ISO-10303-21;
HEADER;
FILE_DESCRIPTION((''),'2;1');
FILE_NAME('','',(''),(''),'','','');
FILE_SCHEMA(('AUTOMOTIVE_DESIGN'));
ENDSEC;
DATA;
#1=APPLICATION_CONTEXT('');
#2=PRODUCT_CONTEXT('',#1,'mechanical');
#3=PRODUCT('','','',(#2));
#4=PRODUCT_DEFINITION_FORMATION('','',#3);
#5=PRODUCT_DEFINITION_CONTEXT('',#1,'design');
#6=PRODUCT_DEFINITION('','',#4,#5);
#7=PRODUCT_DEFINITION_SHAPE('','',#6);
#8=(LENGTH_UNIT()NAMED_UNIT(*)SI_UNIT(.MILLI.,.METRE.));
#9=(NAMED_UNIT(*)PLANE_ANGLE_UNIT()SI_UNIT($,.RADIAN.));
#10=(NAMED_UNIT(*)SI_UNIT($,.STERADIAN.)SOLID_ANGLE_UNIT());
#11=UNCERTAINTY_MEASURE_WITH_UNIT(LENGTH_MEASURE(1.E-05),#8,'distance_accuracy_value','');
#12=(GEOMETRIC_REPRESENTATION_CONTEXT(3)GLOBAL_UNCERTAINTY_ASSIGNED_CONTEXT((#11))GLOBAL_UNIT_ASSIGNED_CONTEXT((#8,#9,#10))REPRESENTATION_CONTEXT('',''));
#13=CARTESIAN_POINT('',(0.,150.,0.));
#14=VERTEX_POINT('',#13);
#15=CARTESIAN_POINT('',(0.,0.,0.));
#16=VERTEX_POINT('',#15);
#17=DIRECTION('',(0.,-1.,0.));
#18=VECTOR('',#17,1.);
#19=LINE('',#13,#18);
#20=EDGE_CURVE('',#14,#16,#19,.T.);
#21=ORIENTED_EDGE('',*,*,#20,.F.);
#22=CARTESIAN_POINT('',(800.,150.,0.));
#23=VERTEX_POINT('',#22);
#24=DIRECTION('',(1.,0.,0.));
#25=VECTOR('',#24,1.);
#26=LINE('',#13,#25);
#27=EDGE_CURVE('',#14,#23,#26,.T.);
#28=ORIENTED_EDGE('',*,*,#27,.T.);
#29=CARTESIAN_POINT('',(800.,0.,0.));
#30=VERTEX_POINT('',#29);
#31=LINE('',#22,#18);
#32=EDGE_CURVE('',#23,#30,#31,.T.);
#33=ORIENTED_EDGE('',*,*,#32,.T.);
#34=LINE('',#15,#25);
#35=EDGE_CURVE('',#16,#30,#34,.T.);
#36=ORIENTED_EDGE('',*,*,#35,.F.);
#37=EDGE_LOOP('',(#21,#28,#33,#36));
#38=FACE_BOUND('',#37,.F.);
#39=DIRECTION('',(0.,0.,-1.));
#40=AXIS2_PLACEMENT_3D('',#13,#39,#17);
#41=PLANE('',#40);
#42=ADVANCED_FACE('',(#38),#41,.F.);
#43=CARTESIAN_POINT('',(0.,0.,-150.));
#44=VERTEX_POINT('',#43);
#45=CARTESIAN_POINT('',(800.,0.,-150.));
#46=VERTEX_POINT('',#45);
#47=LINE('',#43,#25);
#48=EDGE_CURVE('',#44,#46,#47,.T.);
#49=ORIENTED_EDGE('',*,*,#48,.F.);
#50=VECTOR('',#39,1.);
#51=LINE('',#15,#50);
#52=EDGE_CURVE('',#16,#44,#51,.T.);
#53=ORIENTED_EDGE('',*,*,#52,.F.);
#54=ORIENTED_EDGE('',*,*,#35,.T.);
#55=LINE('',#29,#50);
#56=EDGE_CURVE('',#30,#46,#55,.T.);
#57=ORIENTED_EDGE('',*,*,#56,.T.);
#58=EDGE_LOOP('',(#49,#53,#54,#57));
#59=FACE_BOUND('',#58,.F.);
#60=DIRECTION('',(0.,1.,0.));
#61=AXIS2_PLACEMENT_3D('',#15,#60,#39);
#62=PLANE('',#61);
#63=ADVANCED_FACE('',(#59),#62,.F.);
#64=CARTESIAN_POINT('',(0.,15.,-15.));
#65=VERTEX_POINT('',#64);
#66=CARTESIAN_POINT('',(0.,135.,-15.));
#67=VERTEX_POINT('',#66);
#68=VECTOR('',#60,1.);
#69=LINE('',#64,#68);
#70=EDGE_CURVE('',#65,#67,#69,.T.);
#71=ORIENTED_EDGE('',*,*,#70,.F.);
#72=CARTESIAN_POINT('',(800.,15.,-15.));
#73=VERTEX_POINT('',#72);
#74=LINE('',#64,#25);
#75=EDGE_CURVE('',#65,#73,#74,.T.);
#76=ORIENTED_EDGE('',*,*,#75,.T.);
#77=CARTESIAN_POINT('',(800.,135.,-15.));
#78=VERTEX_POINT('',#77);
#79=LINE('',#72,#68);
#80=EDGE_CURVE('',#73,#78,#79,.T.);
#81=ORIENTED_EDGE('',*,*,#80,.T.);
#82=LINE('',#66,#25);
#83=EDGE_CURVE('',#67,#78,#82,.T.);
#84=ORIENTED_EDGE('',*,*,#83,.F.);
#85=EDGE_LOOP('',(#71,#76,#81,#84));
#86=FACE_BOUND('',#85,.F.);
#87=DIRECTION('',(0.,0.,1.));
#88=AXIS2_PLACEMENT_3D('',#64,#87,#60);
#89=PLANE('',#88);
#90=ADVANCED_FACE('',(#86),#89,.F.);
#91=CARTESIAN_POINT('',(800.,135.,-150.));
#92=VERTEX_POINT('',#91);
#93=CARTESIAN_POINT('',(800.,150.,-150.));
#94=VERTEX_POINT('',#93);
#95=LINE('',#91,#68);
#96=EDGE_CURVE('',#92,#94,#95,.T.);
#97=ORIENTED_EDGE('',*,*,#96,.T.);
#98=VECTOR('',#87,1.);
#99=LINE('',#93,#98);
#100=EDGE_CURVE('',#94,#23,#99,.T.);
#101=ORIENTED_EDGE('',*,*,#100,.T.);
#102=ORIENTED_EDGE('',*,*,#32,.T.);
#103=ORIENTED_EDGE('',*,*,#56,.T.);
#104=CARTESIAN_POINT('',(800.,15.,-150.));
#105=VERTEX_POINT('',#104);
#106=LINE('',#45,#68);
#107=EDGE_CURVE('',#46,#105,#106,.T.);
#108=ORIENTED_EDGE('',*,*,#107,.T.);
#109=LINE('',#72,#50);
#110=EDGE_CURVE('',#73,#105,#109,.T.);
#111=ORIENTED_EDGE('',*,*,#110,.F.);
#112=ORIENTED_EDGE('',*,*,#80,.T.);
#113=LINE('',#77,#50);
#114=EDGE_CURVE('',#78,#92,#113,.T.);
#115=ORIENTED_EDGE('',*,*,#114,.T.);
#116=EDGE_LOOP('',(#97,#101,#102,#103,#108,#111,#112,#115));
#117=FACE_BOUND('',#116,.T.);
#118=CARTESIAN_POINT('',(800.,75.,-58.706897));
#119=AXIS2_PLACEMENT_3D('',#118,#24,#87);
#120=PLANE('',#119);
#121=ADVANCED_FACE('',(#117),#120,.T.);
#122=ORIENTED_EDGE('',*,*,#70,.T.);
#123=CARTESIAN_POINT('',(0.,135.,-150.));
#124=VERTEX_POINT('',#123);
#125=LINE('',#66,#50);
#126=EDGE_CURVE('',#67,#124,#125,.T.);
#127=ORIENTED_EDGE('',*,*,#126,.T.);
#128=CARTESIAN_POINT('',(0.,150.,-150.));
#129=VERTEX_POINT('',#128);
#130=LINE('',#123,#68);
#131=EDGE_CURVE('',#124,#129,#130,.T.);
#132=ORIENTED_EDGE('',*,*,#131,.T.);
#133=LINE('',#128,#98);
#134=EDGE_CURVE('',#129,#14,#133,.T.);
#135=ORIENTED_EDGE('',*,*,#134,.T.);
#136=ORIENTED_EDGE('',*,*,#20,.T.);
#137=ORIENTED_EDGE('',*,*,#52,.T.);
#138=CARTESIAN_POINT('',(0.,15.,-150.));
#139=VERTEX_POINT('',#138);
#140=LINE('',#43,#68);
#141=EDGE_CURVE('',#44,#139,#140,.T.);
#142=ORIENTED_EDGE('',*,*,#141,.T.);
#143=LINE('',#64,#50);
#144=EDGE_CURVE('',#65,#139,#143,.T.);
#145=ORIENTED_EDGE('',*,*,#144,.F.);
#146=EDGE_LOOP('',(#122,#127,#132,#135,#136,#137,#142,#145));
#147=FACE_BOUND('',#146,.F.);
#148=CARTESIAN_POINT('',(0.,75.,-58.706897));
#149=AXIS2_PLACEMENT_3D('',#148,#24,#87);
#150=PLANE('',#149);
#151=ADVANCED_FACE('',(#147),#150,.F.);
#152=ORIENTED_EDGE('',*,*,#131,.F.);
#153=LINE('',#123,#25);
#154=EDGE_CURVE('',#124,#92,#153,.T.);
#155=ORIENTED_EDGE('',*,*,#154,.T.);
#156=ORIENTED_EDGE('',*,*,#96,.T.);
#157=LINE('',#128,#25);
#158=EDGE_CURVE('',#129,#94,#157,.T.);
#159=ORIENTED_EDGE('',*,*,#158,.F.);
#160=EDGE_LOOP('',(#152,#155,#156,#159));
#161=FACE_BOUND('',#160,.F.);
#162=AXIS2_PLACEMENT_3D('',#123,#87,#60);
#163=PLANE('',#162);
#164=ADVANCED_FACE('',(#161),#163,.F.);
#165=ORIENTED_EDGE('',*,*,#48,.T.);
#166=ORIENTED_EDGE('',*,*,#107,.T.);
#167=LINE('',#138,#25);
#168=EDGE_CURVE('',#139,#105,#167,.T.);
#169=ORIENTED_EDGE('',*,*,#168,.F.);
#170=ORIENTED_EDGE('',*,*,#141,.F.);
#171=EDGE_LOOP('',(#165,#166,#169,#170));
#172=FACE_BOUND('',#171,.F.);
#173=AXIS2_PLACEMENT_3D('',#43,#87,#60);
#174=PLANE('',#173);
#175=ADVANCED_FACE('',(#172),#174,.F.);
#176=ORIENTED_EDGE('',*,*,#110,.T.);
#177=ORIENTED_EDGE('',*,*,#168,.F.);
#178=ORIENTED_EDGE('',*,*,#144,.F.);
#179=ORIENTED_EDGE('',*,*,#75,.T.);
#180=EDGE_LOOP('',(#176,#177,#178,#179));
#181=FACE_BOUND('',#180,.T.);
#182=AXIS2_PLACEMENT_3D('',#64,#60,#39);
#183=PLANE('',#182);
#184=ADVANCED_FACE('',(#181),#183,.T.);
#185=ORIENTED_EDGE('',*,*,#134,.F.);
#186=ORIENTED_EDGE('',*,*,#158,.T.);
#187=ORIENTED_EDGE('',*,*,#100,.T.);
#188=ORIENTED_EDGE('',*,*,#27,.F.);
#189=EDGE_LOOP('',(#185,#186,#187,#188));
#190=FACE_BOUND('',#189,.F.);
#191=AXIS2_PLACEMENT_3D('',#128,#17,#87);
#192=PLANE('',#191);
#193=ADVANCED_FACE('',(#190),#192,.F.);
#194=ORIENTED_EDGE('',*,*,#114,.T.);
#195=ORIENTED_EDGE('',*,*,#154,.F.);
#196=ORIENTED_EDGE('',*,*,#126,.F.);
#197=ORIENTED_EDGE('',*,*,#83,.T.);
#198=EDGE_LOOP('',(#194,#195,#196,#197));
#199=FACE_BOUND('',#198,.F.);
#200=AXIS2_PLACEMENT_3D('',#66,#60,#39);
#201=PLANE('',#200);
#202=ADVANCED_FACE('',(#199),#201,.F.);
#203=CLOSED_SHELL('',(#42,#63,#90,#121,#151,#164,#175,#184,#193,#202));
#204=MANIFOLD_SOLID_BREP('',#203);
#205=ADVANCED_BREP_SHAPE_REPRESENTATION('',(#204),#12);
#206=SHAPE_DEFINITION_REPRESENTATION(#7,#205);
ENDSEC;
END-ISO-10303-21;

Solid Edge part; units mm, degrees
sketch "Sketch1" plane through (0, 0, 0) normal (1, 0, 0) x (0, 1, 0)
  line L0 (0, -150) -> (15, -150)
  line L1 (15, -15) -> (15, -150)
  line L2 (15, -15) -> (135, -15)
  line L3 (135, -15) -> (135, -150)
  line L4 (135, -150) -> (150, -150)
  line L5 (150, -150) -> (150, 0)
  line L6 (150, 0) -> (0, 0)
  line L7 (0, 0) -> (0, -150)
  dimension "D1" = 150
  dimension "D2" = 15
  dimension "D3" = 15
  dimension "D4" = 120
  dimension "D5" = 150
  dimension "D6" = 15
extrude "Protrusion1" add sketch "Sketch1" along normal blind 800
properties material "Steel"
